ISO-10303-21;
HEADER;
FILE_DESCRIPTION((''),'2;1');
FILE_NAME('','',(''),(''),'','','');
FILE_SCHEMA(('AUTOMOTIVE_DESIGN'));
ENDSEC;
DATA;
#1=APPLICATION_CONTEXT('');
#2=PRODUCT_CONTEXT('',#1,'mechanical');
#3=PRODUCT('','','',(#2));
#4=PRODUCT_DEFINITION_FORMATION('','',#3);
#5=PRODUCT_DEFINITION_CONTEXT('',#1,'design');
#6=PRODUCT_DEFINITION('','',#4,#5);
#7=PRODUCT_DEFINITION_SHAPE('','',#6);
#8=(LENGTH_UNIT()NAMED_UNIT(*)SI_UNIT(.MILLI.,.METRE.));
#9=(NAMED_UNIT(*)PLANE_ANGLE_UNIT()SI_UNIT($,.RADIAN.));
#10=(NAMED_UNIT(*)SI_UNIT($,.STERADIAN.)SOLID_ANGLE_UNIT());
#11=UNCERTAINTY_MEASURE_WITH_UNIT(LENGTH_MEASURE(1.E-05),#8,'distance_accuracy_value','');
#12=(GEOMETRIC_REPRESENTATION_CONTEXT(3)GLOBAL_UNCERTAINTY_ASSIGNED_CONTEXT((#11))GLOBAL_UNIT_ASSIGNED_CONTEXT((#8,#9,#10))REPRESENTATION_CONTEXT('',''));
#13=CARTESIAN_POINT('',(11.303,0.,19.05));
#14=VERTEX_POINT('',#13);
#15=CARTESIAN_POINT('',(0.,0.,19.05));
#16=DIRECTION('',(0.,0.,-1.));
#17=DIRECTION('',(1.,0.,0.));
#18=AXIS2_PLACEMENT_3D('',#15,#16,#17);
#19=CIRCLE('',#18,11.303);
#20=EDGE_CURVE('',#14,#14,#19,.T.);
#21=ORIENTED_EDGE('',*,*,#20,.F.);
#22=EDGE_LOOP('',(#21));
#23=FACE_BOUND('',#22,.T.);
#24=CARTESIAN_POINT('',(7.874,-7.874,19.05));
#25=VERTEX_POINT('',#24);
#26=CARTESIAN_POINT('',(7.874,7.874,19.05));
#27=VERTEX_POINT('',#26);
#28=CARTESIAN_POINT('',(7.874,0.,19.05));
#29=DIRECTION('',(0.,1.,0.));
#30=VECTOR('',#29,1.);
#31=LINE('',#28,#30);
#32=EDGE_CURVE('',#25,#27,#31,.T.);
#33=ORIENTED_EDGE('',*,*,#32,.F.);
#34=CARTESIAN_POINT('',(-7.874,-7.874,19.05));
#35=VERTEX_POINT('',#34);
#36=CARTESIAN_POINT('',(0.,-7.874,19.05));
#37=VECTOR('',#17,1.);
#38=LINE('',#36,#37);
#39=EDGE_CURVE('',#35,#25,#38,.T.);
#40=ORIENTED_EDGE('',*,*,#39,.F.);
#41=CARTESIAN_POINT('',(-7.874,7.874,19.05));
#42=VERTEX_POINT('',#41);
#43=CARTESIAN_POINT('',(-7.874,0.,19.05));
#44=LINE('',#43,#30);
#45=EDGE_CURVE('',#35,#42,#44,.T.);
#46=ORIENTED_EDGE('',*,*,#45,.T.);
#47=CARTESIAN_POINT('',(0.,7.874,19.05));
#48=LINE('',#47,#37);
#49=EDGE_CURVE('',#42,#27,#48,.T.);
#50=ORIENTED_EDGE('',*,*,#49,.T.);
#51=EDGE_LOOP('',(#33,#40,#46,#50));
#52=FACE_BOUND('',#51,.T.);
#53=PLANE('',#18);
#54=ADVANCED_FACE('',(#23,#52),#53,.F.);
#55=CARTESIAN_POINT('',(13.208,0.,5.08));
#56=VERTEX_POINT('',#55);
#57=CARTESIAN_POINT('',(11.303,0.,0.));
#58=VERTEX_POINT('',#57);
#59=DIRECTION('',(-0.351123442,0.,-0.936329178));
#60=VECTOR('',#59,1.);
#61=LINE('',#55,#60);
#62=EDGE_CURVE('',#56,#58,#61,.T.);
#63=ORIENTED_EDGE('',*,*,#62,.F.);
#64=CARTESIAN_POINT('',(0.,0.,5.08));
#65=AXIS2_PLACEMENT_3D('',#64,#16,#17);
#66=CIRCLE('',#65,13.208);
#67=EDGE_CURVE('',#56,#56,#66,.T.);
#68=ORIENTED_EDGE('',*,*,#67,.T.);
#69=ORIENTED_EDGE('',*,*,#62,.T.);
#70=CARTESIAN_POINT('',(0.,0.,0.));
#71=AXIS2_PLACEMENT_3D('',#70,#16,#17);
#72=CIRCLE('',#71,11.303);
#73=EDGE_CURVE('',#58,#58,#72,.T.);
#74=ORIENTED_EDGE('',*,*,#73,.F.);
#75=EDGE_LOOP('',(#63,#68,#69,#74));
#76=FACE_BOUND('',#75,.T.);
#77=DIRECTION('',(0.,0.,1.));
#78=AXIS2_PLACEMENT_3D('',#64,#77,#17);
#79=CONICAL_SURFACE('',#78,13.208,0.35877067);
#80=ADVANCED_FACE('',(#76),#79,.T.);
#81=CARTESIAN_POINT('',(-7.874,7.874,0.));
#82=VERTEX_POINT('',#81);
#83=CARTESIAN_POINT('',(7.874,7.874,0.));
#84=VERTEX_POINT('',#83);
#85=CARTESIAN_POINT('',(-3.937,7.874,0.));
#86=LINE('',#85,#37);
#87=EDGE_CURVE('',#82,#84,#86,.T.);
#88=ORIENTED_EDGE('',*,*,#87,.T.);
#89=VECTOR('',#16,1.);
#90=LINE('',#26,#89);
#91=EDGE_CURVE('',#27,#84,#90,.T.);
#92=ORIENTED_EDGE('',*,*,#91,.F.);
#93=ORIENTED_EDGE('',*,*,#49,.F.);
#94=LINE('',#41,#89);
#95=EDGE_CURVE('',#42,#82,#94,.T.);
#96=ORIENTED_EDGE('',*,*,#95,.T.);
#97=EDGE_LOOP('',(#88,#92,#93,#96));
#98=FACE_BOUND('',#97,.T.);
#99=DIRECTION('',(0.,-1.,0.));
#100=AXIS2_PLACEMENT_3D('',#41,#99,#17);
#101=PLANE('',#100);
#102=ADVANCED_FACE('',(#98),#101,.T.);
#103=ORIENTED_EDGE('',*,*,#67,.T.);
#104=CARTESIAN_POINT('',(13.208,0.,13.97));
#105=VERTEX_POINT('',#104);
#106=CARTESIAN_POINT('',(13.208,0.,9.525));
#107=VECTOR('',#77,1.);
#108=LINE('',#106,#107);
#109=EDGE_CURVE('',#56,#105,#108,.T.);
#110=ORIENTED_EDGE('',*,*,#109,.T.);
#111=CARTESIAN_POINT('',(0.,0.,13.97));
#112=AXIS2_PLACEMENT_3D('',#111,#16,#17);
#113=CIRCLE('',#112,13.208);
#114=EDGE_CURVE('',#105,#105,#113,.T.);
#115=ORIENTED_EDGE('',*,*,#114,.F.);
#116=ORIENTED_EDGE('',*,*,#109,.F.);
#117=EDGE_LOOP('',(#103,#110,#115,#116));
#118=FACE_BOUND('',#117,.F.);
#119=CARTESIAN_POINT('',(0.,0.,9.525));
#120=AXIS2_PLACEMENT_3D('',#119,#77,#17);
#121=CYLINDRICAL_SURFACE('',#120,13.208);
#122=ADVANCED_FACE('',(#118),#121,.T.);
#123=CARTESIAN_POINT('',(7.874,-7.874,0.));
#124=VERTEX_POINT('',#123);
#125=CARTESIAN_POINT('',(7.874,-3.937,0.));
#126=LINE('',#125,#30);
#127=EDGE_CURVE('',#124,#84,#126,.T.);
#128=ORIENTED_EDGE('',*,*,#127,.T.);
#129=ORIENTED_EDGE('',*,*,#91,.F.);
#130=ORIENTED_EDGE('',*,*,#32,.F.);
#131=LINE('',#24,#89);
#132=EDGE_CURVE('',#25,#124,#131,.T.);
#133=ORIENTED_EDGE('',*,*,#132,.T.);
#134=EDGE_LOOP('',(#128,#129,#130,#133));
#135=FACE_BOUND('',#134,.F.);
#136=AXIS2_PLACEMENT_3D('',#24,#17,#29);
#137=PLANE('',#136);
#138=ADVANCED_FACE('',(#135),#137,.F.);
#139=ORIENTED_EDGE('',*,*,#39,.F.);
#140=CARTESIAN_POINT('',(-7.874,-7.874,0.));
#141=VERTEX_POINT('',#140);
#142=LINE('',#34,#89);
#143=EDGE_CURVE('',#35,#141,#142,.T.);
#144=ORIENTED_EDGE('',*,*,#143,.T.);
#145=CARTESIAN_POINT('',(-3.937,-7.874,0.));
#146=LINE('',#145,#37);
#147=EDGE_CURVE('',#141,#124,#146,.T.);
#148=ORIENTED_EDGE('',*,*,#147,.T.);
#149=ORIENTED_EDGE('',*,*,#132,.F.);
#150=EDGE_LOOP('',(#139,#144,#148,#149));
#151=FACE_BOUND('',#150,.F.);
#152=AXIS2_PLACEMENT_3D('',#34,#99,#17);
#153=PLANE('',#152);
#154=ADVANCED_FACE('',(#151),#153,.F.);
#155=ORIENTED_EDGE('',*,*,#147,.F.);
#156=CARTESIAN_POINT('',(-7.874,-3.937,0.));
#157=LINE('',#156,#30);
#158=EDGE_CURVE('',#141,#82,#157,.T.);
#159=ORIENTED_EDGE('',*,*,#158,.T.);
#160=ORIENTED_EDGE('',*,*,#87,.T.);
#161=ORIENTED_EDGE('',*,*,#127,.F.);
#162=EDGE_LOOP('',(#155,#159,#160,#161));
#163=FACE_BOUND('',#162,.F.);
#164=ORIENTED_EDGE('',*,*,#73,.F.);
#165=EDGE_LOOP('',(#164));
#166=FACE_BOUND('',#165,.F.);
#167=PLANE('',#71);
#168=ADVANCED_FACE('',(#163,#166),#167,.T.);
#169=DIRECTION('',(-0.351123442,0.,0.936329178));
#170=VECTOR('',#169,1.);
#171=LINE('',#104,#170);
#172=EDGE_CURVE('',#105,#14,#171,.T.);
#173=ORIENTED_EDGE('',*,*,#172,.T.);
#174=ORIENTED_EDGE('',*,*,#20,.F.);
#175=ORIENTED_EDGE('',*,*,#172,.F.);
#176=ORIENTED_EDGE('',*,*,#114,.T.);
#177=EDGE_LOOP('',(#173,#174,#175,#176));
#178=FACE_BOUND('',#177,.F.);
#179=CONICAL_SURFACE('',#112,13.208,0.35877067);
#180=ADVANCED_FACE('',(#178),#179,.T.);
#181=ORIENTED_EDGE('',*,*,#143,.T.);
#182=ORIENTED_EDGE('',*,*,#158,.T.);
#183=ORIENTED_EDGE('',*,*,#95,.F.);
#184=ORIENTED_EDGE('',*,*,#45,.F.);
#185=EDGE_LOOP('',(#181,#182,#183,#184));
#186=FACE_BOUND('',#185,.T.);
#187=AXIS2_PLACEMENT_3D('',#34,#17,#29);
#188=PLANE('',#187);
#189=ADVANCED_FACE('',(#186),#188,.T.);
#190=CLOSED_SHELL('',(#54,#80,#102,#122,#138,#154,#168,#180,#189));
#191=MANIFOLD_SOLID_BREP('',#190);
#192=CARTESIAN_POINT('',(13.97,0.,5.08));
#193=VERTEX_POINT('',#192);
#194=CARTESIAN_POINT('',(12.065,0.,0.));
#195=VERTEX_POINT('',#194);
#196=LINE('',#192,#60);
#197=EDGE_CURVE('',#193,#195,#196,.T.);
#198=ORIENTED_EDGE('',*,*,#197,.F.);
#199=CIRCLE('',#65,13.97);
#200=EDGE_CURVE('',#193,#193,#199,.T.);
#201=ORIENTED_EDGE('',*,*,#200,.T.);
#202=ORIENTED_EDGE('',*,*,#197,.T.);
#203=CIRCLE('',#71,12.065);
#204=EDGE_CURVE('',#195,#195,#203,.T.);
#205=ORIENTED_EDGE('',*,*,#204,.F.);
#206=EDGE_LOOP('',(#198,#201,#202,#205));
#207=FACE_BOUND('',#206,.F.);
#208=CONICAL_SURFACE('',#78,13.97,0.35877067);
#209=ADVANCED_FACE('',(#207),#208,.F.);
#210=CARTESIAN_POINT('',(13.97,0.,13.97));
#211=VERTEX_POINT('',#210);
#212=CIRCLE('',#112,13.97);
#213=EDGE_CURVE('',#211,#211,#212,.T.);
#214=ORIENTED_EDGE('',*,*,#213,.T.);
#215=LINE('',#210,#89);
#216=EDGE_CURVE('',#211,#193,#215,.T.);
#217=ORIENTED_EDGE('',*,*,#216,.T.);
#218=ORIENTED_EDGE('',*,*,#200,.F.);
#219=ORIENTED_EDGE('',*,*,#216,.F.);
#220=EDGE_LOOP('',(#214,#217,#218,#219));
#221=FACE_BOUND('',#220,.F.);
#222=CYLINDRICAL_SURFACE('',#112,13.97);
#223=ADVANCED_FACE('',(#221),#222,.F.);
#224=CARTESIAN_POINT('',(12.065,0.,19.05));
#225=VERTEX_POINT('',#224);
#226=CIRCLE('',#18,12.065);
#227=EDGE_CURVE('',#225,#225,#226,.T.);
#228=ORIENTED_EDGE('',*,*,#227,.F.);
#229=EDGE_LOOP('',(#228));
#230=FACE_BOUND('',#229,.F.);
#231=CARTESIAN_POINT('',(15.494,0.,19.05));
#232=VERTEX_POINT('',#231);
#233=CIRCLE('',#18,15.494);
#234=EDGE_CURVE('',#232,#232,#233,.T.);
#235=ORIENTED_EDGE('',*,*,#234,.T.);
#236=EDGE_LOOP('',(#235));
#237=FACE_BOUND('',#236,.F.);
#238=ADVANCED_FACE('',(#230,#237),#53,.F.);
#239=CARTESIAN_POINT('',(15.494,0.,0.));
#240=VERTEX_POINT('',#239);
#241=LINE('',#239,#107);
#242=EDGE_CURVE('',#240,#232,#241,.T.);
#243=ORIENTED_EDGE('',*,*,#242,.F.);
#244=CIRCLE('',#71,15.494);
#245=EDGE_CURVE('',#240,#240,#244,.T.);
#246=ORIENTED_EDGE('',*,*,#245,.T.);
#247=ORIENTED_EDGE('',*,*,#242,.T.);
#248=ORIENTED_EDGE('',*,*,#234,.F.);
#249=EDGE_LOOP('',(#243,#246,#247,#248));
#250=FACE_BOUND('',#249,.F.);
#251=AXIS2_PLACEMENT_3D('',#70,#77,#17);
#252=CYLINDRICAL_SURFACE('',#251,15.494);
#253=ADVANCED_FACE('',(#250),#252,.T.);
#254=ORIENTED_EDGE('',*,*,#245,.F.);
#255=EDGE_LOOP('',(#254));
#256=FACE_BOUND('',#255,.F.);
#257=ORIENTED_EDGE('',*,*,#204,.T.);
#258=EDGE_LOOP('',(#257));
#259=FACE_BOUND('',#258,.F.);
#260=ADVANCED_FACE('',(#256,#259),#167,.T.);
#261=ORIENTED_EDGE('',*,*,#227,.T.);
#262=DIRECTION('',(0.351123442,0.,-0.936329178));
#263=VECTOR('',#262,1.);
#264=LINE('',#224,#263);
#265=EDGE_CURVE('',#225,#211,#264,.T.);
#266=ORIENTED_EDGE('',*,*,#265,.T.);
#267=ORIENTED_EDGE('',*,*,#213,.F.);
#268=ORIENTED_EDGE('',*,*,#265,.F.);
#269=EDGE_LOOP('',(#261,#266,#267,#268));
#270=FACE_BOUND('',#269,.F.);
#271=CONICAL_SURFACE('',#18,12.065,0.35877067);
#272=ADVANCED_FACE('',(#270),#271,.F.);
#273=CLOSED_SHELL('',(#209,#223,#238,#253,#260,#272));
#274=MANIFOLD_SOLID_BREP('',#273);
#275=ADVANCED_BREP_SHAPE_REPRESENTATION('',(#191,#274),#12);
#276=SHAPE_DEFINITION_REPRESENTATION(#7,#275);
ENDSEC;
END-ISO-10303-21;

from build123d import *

# Parameters (mm, degrees)
F0_W     = 13.208
F0_H     = 19.05
F2_W     = 15.748
F2_H     = 15.748
F3_DEPTH = 19.051
F4_SIZE2 = 1.905
F4_SIZE  = 5.08


with BuildPart() as f1:
    # F0 (on Front) → F1 (revolve)
    with BuildSketch(Plane.XZ):
        with Locations((6.604, 9.525)):
            Rectangle(F0_W, F0_H)
    revolve(axis=Axis((0, 0, -10.8857148167), (0, 0, -1)))

    # F2 (on face) → F3 (cut, through all)
    with BuildSketch(Plane.XY.offset(19.05)):
        Rectangle(F2_W, F2_H)
    extrude(amount=-F3_DEPTH, mode=Mode.SUBTRACT)

    # F4
    f4_edges = [f1.edges().sort_by_distance(p)[0] for p in [
        (-13.208, 0, 19.05),
        (-13.208, 0, 0),
    ]]
    f4_side = f1.faces().sort_by_distance((-13.208, 0, 9.525))[0]
    chamfer(f4_edges, length=F4_SIZE, length2=F4_SIZE2, reference=f4_side)


with BuildPart() as f6:
    # F5 (on Front) → F6 (revolve)
    with BuildSketch(Plane.XZ):
        Polygon((15.494, 19.05), (12.065, 19.05), (13.97, 13.97), (13.97, 5.08), (12.065, 0), (13.208, 0), (15.494, 0), align=None)
    revolve(axis=Axis((0, 0, -10.8857148167), (0, 0, -1)))


solid = Compound([f1.part, f6.part])
